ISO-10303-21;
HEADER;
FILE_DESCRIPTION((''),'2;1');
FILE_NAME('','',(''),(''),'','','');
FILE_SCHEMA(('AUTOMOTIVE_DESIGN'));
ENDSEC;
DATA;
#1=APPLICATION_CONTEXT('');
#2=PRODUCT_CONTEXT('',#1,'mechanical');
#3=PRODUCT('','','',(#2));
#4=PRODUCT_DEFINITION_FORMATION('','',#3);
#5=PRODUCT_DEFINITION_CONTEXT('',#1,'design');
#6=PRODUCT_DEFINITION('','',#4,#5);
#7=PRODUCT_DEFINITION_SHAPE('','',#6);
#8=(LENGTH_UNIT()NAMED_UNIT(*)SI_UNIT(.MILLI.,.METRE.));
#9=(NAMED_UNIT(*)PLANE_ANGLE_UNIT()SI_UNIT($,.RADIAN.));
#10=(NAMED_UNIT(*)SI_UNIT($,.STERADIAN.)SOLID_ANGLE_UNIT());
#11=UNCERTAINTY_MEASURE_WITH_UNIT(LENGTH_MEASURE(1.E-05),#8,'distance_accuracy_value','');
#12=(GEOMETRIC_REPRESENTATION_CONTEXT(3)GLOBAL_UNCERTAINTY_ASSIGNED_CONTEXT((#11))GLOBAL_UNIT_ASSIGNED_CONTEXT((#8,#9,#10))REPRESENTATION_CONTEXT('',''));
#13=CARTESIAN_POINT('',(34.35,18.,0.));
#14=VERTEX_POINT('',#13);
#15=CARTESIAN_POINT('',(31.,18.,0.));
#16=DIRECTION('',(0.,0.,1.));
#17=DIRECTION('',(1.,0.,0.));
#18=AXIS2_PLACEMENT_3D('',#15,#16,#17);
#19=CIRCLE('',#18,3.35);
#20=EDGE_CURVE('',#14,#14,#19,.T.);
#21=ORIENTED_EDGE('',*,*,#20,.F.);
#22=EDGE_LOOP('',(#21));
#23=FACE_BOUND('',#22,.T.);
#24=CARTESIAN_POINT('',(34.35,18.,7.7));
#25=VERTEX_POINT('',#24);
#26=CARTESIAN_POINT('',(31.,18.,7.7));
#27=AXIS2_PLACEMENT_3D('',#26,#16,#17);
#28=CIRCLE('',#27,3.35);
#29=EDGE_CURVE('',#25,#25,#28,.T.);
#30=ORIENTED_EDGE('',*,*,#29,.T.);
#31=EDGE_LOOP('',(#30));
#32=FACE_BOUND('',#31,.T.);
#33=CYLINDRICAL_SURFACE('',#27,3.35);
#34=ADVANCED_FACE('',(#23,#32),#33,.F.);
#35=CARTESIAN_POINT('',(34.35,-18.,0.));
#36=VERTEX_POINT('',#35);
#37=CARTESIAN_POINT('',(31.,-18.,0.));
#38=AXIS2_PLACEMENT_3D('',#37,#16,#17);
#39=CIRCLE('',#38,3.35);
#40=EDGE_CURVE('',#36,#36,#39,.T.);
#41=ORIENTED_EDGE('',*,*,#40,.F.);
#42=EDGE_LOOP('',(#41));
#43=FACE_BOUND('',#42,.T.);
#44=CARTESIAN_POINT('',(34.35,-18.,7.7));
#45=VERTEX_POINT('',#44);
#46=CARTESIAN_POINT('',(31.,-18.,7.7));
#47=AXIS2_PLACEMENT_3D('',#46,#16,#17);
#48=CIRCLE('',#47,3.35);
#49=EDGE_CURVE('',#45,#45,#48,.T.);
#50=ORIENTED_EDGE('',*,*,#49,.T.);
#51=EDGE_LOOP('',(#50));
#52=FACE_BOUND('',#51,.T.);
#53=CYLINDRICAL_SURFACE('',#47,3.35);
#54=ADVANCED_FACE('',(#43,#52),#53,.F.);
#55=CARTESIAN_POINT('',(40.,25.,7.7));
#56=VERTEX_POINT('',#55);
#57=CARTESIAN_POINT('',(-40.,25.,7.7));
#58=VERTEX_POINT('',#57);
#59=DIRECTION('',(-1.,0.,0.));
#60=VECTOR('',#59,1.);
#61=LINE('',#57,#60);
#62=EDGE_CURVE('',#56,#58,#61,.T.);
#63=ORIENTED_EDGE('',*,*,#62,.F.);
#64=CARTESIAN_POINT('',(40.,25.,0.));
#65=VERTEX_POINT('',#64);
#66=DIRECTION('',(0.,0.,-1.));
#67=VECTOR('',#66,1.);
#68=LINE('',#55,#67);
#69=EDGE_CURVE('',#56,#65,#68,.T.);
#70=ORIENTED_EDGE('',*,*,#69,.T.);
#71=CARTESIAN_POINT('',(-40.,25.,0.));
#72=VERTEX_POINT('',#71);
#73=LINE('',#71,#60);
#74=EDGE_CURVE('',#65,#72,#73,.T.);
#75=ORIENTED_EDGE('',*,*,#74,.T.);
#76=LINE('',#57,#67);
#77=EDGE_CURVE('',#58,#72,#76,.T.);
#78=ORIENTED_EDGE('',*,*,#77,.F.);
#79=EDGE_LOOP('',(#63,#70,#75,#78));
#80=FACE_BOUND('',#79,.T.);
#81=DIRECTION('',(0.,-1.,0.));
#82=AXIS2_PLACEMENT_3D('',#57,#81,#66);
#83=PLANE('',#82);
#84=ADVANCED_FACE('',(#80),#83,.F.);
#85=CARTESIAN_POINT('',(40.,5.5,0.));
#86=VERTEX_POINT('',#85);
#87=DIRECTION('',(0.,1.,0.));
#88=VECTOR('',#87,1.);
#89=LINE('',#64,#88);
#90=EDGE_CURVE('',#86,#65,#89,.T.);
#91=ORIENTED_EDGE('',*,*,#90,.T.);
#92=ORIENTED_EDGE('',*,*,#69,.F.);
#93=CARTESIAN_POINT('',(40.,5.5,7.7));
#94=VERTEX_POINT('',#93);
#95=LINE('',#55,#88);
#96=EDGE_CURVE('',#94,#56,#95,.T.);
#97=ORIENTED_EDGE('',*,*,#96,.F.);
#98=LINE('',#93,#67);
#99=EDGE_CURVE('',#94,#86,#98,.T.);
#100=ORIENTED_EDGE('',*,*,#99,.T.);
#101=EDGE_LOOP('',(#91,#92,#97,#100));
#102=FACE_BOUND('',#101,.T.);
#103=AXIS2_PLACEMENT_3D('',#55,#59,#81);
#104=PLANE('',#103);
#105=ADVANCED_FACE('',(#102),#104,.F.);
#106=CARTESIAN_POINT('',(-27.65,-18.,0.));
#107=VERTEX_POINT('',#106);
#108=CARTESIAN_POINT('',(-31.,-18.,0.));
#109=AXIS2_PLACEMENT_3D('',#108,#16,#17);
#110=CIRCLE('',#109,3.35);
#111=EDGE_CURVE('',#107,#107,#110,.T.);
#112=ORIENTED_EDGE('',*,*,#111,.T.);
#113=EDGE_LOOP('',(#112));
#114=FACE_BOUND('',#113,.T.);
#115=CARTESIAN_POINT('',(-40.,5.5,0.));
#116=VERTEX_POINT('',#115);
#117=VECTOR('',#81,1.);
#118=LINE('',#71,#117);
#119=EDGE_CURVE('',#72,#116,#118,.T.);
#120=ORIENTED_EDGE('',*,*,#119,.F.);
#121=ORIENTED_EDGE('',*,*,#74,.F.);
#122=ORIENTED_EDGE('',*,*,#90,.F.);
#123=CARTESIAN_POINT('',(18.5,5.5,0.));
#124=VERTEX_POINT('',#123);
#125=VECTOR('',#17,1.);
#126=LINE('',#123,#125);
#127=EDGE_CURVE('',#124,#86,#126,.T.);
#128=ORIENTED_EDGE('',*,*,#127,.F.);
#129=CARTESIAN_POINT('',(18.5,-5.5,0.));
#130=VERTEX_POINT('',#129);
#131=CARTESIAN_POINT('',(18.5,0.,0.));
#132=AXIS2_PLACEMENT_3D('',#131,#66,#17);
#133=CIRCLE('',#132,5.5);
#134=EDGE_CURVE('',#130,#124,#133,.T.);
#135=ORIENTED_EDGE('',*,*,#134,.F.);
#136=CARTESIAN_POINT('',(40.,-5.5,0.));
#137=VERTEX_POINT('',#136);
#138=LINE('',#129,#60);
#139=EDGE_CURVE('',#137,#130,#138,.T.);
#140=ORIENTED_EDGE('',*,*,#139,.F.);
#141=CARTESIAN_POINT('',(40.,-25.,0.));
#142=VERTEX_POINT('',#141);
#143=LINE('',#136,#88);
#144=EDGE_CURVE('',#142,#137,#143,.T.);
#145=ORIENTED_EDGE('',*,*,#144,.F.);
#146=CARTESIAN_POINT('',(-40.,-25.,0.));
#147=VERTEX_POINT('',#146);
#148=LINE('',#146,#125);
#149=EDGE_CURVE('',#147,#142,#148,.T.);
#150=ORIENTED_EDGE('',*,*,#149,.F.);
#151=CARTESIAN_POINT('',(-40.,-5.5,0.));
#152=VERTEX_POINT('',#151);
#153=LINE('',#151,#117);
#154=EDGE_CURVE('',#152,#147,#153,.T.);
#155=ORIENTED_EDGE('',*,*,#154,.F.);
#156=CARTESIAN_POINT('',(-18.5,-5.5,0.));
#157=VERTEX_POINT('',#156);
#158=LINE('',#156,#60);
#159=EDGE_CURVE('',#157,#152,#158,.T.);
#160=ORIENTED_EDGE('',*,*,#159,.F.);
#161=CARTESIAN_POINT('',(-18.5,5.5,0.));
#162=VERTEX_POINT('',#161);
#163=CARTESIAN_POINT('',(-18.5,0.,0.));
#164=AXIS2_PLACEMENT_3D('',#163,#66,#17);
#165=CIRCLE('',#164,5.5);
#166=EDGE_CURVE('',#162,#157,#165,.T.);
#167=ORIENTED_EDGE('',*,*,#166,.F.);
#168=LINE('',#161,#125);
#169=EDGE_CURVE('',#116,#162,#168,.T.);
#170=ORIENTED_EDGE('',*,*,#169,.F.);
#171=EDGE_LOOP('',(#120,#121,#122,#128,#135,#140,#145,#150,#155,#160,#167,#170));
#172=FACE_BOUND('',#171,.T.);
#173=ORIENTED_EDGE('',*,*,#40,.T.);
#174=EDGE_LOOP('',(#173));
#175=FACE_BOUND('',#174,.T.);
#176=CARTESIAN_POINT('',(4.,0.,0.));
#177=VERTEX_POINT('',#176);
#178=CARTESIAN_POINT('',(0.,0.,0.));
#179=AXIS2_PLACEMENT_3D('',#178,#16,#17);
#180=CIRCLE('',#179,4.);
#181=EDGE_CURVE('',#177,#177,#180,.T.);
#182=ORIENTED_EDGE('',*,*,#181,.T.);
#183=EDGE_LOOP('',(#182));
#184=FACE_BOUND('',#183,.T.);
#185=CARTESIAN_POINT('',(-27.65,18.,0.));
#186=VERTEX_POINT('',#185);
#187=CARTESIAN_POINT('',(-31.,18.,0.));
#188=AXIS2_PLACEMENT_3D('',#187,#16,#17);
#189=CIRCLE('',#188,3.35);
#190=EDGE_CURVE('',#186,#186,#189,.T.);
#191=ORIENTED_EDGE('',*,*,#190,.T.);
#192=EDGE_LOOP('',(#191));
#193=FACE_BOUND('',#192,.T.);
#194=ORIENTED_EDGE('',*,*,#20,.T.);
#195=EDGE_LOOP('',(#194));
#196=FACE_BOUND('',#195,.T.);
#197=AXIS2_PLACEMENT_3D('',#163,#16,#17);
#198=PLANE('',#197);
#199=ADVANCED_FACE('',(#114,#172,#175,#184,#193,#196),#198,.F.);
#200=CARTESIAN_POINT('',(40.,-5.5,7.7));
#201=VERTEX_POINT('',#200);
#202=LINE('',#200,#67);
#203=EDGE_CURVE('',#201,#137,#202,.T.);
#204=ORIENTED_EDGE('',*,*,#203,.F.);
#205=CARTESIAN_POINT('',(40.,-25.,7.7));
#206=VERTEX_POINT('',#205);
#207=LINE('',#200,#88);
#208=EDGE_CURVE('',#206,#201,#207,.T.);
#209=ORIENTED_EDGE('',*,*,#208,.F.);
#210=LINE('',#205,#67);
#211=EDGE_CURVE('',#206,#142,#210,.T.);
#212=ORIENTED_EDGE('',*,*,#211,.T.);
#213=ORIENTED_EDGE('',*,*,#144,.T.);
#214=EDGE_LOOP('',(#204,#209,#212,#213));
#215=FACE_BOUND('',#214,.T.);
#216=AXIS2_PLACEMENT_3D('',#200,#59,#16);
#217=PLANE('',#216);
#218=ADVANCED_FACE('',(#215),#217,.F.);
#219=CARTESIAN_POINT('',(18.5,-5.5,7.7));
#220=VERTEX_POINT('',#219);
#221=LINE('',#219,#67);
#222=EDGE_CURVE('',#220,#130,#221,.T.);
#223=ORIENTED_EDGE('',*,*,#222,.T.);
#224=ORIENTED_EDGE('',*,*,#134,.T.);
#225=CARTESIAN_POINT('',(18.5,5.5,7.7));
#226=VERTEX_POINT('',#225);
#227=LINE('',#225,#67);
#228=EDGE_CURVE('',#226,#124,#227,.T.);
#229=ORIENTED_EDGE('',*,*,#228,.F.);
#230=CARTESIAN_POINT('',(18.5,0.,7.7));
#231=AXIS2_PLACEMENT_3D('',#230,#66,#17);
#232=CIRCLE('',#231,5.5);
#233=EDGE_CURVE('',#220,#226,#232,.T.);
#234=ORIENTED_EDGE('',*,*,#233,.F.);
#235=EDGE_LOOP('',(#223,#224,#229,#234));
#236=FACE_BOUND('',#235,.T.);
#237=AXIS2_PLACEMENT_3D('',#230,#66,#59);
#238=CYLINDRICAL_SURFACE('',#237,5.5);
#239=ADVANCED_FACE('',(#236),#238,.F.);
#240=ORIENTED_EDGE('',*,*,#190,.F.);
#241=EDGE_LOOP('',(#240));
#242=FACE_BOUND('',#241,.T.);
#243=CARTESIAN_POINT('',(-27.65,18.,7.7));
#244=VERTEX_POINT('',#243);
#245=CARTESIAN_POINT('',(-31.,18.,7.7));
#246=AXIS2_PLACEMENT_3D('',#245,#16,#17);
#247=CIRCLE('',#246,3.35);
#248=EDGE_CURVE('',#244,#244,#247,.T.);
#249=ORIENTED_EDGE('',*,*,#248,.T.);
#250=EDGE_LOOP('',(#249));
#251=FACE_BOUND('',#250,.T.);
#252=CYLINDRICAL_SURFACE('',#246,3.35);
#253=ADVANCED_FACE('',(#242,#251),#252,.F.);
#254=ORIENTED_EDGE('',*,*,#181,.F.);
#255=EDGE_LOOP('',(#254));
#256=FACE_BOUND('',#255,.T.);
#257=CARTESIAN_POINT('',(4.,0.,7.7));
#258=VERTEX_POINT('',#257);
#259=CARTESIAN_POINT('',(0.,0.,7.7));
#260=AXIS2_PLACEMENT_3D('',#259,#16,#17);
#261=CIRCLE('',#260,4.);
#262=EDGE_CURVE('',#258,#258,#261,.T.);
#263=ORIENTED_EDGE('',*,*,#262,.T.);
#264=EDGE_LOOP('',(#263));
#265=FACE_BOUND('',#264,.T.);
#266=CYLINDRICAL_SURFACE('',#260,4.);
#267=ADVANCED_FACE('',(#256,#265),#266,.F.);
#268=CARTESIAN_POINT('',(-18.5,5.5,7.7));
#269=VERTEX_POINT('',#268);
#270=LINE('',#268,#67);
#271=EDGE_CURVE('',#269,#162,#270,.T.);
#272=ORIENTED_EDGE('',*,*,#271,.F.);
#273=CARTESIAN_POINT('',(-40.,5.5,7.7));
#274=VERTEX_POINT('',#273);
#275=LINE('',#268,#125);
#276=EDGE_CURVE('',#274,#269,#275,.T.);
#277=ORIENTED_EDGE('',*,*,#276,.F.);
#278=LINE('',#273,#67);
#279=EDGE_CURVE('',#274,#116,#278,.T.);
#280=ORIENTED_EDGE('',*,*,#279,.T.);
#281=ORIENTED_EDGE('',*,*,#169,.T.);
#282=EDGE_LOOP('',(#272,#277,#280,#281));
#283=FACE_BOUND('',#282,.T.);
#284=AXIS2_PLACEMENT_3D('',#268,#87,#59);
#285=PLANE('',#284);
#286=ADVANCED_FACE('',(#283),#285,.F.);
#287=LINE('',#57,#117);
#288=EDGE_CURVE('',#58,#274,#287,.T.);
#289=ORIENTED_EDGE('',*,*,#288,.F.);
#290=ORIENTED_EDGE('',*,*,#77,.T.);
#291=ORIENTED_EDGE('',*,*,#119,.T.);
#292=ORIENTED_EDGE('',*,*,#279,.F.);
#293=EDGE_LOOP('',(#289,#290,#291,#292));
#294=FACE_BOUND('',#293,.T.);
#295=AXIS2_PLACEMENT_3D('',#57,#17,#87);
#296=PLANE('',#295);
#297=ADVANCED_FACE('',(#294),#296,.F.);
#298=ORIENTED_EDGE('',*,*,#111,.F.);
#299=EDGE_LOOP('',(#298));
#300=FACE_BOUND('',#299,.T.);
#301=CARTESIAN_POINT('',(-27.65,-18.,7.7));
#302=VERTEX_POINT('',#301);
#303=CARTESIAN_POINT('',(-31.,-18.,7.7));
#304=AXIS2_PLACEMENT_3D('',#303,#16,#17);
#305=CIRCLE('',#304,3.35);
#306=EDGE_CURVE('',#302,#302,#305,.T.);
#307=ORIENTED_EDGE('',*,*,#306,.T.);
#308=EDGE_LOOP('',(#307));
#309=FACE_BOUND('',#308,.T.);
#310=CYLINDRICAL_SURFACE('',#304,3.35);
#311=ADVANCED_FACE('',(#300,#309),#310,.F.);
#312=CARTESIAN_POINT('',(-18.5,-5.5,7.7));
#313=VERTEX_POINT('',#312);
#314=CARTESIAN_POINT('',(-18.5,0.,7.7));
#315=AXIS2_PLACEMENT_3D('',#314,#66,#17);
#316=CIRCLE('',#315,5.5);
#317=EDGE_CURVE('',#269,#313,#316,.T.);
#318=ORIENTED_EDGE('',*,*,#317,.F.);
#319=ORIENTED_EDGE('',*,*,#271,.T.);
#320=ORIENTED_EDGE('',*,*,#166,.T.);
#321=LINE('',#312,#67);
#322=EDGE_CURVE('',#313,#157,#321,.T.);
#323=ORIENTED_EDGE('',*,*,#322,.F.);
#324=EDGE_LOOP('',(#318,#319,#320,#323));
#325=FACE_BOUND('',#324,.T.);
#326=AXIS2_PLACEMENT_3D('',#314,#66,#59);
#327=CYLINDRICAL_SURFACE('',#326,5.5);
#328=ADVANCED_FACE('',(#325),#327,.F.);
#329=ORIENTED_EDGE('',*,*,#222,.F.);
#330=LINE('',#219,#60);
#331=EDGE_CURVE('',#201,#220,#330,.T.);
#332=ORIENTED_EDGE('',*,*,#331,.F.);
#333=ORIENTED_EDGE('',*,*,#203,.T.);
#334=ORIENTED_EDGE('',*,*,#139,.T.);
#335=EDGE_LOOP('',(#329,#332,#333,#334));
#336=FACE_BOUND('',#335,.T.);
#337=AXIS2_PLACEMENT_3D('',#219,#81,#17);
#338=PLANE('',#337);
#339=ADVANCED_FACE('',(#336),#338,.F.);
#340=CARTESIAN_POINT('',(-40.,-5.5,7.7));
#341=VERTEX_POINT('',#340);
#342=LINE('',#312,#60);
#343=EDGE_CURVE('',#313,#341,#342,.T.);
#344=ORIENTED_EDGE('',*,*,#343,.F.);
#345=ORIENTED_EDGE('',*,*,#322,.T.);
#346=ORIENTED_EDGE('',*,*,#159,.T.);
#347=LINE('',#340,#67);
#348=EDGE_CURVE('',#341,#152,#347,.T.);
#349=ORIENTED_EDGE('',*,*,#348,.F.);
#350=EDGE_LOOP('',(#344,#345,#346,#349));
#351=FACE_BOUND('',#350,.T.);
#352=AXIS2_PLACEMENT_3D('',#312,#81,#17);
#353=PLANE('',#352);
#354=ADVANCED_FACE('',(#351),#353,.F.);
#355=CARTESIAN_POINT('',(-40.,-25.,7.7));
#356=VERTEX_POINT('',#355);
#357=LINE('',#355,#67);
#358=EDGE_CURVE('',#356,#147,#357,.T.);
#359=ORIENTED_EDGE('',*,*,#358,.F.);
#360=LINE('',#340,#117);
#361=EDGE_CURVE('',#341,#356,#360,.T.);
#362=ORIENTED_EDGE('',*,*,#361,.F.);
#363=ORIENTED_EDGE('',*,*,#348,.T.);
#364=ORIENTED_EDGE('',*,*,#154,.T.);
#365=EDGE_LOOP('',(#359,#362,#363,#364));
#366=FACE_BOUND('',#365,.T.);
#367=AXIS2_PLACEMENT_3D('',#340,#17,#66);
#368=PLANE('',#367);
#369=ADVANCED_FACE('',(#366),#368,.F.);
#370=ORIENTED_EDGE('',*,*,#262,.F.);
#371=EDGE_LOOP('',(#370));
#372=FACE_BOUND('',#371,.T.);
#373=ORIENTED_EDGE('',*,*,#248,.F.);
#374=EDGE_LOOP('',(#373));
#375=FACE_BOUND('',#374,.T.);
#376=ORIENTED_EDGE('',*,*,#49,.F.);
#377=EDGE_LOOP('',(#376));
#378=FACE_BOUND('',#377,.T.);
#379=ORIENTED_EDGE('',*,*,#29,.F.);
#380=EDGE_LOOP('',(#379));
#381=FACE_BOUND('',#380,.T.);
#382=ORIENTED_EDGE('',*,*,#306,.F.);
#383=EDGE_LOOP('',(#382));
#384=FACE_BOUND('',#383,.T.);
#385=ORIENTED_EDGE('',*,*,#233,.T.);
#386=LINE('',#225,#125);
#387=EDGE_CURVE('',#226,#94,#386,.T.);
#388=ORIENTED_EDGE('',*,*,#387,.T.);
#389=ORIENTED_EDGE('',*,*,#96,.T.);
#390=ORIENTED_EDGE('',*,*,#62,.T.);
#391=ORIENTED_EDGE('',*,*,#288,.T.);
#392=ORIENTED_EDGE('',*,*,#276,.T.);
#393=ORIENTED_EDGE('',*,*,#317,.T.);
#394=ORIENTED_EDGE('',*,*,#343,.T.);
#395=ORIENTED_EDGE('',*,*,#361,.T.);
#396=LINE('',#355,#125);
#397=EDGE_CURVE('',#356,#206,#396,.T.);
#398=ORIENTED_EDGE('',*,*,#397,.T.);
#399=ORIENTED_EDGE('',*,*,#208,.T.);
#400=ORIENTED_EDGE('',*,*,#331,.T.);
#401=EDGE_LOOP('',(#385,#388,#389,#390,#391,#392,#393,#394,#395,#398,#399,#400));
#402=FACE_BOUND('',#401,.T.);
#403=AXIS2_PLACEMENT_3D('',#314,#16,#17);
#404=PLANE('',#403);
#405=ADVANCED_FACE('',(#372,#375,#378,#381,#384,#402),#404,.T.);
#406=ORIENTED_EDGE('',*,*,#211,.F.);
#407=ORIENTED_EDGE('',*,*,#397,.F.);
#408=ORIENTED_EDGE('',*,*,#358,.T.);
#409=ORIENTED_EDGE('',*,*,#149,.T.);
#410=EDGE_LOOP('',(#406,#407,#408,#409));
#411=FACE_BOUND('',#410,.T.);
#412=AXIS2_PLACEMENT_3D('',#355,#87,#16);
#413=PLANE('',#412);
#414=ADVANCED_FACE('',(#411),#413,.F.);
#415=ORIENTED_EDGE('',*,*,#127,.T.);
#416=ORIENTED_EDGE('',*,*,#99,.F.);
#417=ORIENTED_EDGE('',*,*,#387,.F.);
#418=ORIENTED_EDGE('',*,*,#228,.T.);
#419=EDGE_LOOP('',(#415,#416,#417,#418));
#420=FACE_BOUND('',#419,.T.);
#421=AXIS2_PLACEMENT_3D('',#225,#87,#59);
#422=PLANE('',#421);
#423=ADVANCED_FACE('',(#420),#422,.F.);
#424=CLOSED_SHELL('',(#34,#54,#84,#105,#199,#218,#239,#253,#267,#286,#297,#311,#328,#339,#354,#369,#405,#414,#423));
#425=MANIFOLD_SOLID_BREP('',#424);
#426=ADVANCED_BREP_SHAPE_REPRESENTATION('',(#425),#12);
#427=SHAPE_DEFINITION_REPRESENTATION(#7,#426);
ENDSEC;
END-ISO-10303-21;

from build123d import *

# Parameters (mm, degrees)
BOSS_EXTRUDE1_DEPTH        = 7.7
F_6_7_6_7_DIAMETER_HOLE1_D = 6.7
F_8_0_8_DIAMETER_HOLE1_D   = 8


with BuildPart() as part:
    # Sketch1 → Boss-Extrude1 (new body)
    with BuildSketch(Plane.XY):
        with BuildLine():
            Line((-40, 25), (40, 25))
            Line((40, 25), (40, 5.5))
            Line((40, 5.5), (18.5, 5.5))
            ThreePointArc((18.5, 5.5), (13, 0), (18.5, -5.5))
            Line((18.5, -5.5), (40, -5.5))
            Line((40, -5.5), (40, -25))
            Line((40, -25), (-40, -25))
            Line((-40, -25), (-40, -5.5))
            Line((-40, -5.5), (-18.5, -5.5))
            ThreePointArc((-18.5, -5.5), (-13, 0), (-18.5, 5.5))
            Line((-18.5, 5.5), (-40, 5.5))
            Line((-40, 5.5), (-40, 25))
        make_face()
    extrude(amount=BOSS_EXTRUDE1_DEPTH)

    # Ø6.7 (6.7) Diameter Hole1 (through all)
    with Locations(Plane.XY.offset(7.7)):
        with Locations((31, 18), (-31, 18), (-31, -18), (31, -18)):
            Hole(F_6_7_6_7_DIAMETER_HOLE1_D / 2)

    # Ø8.0 (8) Diameter Hole1 (through all)
    with Locations(Plane.XY.offset(7.7)):
        with Locations((0, 0)):
            Hole(F_8_0_8_DIAMETER_HOLE1_D / 2)


solid = part.part
